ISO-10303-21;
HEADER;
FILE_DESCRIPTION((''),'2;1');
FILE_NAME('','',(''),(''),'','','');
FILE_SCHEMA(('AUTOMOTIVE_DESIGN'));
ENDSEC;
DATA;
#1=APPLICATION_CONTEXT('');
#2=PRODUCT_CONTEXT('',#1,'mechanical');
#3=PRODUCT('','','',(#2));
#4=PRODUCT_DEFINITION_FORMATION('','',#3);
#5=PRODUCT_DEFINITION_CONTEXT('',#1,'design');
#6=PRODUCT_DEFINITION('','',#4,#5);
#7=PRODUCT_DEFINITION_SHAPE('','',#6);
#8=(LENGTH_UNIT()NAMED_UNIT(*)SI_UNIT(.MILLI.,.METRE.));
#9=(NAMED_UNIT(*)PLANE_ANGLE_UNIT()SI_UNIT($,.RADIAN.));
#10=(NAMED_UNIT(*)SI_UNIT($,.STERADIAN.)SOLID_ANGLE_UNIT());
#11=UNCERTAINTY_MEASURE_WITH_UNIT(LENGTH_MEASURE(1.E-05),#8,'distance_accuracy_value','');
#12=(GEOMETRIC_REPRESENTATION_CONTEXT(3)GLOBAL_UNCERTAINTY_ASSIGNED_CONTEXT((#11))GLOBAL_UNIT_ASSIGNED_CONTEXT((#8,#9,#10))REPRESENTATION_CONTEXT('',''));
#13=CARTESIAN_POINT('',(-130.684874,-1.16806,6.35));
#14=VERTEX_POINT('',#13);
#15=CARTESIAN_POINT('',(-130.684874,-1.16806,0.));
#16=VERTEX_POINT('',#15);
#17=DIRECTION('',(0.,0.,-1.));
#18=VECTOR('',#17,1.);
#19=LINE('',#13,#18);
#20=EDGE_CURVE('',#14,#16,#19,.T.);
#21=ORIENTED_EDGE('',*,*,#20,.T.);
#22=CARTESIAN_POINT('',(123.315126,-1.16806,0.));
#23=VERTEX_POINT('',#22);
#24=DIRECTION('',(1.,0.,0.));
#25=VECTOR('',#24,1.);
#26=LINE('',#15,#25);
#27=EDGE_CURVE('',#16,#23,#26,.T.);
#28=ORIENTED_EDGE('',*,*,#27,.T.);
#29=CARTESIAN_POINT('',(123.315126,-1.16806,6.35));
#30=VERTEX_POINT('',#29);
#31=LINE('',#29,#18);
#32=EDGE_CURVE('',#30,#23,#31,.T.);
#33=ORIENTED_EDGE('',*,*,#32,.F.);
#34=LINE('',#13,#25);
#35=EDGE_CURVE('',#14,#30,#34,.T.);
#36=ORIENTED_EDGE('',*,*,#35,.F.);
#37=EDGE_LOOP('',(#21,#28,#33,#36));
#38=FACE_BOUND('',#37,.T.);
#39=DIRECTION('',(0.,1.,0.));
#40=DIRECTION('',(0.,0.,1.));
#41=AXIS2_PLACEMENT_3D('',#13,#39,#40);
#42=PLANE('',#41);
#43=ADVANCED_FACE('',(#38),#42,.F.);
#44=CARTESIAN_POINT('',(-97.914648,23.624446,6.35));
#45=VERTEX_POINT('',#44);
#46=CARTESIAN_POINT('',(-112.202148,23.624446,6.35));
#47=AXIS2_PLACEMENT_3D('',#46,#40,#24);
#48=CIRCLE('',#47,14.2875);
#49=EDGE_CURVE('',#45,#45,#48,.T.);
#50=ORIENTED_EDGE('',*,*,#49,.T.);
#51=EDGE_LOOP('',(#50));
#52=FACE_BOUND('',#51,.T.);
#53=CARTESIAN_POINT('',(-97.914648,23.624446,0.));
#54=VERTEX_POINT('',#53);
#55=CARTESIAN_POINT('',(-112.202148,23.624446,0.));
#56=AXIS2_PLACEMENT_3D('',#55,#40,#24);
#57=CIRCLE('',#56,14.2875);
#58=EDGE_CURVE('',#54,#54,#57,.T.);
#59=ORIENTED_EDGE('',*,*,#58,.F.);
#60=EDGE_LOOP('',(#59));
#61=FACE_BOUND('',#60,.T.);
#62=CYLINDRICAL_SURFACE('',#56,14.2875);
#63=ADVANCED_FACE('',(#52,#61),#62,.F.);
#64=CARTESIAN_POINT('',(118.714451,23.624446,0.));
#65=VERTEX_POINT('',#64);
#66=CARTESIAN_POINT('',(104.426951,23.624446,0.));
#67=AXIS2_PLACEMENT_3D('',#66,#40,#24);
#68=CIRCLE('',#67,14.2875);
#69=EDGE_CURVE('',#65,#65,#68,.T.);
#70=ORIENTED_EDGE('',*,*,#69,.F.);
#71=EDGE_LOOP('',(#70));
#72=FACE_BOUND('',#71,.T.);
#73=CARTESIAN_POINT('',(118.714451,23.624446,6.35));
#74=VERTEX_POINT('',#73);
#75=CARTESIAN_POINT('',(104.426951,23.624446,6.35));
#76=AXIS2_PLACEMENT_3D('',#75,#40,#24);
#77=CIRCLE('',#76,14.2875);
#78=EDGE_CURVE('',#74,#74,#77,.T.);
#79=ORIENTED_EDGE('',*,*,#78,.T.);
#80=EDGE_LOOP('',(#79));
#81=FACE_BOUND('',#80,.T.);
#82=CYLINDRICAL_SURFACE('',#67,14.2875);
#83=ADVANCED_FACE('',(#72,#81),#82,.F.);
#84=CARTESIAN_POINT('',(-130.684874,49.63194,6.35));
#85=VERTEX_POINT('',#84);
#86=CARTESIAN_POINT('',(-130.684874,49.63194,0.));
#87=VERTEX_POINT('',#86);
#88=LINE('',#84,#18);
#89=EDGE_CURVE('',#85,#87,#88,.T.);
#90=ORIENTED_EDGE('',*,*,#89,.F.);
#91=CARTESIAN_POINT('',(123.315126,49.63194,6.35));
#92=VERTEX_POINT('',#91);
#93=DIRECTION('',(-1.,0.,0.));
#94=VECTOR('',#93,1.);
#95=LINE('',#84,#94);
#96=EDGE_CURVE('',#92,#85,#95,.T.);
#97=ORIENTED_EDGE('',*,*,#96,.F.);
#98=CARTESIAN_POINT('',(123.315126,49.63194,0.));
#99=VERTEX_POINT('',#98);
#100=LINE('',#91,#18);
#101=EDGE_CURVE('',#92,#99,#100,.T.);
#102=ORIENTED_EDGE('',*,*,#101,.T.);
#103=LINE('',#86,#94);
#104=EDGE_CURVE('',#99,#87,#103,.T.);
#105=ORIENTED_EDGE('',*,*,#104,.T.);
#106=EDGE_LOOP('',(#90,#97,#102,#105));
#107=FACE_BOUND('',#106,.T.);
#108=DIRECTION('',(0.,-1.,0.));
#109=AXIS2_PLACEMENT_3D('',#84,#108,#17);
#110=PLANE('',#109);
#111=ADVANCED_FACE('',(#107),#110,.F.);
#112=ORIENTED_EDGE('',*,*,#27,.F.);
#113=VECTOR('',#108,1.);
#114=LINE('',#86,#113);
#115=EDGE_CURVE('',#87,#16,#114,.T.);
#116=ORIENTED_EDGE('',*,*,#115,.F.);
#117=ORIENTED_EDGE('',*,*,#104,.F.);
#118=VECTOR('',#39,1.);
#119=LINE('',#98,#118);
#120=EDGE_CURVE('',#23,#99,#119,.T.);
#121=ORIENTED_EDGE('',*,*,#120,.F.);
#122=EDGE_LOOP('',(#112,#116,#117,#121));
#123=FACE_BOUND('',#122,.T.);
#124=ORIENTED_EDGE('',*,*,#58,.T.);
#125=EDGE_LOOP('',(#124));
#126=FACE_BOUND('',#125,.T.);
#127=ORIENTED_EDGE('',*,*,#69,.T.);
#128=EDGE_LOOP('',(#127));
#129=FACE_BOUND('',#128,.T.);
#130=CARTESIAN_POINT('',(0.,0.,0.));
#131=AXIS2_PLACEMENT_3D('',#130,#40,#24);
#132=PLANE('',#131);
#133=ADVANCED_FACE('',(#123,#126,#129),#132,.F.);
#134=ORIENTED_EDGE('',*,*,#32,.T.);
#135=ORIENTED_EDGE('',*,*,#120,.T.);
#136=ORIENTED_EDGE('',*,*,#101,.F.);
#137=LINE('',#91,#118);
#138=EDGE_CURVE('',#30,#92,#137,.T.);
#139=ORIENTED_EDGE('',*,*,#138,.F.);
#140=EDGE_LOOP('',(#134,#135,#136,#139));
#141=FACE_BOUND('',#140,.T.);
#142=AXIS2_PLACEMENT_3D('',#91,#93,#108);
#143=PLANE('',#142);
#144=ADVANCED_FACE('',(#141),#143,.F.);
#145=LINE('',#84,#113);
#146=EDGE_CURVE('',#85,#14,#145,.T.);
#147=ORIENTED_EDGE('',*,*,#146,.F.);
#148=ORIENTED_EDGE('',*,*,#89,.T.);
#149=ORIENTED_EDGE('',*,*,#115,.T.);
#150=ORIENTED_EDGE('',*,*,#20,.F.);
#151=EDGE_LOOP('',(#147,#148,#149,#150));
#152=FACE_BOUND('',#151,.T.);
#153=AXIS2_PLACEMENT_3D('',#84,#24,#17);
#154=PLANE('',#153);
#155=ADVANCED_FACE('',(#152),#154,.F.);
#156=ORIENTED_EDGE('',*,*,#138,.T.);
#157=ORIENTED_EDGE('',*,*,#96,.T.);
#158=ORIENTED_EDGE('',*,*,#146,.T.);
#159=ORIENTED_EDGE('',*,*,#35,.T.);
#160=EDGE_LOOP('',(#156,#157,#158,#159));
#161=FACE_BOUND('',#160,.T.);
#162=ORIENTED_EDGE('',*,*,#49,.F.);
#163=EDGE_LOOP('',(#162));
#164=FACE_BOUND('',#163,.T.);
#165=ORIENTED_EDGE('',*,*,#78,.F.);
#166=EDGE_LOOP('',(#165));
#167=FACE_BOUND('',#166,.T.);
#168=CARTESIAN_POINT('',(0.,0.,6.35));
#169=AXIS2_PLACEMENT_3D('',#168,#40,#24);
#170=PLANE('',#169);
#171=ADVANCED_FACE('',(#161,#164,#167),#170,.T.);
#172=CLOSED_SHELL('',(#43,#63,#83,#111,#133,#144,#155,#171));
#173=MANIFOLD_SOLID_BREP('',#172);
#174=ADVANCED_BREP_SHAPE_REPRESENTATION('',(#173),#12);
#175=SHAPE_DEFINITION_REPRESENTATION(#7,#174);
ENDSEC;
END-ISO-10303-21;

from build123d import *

# Parameters (mm, degrees)
SKETCH1_W           = 254
SKETCH1_H           = 50.8
BOSS_EXTRUDE1_DEPTH = 6.35
SKETCH3_R           = 14.2875
CUT_EXTRUDE1_DEPTH  = 6.35


with BuildPart() as part:
    # Sketch1 → Boss-Extrude1 (new body)
    with BuildSketch(Plane.XY):
        with Locations((-3.684873839, 24.231939799)):
            Rectangle(SKETCH1_W, SKETCH1_H)
    extrude(amount=BOSS_EXTRUDE1_DEPTH)

    # Sketch3 → Cut-Extrude1 (cut)
    with BuildSketch(Plane.XY.offset(6.35)):
        with Locations((-112.202147571, 23.62444568)):
            Circle(SKETCH3_R)
        with Locations((104.426951424, 23.62444568)):
            Circle(SKETCH3_R)
    extrude(amount=-CUT_EXTRUDE1_DEPTH, mode=Mode.SUBTRACT)


solid = part.part
